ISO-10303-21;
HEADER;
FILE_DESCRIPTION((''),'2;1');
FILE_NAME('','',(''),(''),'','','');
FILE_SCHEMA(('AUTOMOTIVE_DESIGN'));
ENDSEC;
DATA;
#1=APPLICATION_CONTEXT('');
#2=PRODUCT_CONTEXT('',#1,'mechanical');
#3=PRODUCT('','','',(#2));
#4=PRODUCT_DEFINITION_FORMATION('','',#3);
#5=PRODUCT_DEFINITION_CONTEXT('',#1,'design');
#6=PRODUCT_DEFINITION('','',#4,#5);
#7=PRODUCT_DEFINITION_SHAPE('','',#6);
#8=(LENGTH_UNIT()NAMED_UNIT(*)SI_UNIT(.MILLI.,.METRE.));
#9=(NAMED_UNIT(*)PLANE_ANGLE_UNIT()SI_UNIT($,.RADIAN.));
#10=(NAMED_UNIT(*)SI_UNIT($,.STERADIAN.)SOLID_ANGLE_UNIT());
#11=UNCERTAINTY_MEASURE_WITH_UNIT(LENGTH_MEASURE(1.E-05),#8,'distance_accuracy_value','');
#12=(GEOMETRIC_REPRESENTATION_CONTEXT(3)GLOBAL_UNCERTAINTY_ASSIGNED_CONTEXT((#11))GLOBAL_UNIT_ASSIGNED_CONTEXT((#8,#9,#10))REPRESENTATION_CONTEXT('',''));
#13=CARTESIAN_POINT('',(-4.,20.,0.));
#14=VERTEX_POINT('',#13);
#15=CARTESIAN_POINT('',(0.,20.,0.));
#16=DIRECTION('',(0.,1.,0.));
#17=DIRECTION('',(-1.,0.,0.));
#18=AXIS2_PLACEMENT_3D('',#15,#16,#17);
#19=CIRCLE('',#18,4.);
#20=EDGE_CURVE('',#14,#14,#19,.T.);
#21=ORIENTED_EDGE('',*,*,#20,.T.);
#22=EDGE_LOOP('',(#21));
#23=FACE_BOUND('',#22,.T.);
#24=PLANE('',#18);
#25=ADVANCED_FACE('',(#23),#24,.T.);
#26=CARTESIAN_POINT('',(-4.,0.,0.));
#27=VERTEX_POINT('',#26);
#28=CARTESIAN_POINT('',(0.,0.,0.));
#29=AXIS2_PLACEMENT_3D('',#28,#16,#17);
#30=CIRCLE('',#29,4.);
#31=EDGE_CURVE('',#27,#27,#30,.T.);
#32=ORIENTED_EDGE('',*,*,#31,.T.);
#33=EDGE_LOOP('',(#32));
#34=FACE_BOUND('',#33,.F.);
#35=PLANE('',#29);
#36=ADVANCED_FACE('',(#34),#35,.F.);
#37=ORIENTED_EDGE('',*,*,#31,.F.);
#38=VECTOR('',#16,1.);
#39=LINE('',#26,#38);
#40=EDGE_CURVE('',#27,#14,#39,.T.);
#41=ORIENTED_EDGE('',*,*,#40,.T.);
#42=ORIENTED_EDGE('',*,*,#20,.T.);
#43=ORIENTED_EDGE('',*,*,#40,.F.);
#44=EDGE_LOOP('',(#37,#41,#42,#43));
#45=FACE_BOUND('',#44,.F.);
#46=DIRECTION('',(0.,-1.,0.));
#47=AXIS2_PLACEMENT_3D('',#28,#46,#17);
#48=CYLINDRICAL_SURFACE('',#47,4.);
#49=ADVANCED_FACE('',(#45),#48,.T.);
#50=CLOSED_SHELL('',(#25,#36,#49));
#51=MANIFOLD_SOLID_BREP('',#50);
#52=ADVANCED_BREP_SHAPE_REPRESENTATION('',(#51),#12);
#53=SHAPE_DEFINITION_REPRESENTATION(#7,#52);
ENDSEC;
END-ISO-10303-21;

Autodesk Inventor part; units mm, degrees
ref_plane "YZ Plane" through (0, 0, 0) normal (1, 0, 0) x (0, 1, 0)
ref_plane "XZ Plane" through (0, 0, 0) normal (0, 1, 0) x (-1, 0, 0)
ref_plane "XY Plane" through (0, 0, 0) normal (0, 0, 1) x (1, 0, 0)
sketch "Sketch1" plane through (0, 0, 0) normal (0, 1, 0) x (-1, 0, 0)
  circle A0 centre (0, 0) radius 4
  dimension "d0" = 8
extrude "Extrusion1" add sketch "Sketch1" along normal blind 20
properties part number "stick"
